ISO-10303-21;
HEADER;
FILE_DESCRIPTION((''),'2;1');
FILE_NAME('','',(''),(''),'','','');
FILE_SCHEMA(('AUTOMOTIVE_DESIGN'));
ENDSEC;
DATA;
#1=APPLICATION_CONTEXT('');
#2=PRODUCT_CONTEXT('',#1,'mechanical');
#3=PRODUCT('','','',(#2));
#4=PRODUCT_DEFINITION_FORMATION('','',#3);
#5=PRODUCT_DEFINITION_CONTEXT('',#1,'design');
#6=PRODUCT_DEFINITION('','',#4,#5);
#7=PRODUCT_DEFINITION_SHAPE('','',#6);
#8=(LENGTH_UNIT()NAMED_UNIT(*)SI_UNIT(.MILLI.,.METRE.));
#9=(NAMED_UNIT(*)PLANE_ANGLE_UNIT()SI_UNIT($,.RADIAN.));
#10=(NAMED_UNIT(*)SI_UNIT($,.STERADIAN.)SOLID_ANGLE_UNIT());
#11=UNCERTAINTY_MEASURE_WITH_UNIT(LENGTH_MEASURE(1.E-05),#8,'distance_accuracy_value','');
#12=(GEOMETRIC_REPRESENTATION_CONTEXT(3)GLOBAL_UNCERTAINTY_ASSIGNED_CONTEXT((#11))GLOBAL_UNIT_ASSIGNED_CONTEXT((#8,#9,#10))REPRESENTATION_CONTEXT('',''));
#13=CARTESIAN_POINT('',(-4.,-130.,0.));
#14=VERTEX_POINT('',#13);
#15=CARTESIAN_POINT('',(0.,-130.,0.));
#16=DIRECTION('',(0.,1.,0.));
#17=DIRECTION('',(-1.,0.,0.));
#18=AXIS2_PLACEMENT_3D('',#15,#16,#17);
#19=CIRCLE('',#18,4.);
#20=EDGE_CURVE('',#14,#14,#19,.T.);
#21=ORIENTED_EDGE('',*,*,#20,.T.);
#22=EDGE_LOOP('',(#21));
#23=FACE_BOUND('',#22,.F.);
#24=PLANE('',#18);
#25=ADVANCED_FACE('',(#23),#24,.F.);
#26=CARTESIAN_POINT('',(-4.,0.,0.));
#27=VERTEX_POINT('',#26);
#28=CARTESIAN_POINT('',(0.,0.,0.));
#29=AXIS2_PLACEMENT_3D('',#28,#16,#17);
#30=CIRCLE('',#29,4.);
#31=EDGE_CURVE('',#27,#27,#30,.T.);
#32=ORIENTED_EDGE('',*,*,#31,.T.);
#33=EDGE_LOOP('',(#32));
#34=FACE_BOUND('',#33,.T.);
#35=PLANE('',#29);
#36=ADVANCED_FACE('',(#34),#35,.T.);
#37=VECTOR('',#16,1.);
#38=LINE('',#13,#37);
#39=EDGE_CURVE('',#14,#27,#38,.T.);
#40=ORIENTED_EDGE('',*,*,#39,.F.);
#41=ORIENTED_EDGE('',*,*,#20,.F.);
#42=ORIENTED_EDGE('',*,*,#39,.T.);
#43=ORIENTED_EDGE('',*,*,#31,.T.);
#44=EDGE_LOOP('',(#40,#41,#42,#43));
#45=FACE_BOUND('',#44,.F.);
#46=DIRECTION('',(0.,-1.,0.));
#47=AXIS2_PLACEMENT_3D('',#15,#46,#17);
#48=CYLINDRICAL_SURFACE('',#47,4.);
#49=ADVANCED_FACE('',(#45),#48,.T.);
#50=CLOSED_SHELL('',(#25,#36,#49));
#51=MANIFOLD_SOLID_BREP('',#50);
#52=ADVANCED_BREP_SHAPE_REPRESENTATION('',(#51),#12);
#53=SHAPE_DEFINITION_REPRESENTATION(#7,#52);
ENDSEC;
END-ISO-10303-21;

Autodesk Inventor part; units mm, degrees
ref_plane "YZ Plane" through (0, 0, 0) normal (1, 0, 0) x (0, 1, 0)
ref_plane "XY Plane" through (0, 0, 0) normal (0, 0, 1) x (1, 0, 0)
ref_plane "Work Plane1" through (0, -130, 0) normal (0, 1, 0) x (-1, 0, 0)
sketch "Sketch1" plane through (0, -130, 0) normal (0, 1, 0) x (-1, 0, 0)
  circle A0 centre (0, 0) radius 4
extrude "Extrusion1" add sketch "Sketch1" along normal blind 130
thread "Thread1" size "TR8x1.5" class "7e" standard "ISO Metric Trapezoidal Threads" full length
properties part number "Piston Lead screw M8" material "Steel, Carbon"
